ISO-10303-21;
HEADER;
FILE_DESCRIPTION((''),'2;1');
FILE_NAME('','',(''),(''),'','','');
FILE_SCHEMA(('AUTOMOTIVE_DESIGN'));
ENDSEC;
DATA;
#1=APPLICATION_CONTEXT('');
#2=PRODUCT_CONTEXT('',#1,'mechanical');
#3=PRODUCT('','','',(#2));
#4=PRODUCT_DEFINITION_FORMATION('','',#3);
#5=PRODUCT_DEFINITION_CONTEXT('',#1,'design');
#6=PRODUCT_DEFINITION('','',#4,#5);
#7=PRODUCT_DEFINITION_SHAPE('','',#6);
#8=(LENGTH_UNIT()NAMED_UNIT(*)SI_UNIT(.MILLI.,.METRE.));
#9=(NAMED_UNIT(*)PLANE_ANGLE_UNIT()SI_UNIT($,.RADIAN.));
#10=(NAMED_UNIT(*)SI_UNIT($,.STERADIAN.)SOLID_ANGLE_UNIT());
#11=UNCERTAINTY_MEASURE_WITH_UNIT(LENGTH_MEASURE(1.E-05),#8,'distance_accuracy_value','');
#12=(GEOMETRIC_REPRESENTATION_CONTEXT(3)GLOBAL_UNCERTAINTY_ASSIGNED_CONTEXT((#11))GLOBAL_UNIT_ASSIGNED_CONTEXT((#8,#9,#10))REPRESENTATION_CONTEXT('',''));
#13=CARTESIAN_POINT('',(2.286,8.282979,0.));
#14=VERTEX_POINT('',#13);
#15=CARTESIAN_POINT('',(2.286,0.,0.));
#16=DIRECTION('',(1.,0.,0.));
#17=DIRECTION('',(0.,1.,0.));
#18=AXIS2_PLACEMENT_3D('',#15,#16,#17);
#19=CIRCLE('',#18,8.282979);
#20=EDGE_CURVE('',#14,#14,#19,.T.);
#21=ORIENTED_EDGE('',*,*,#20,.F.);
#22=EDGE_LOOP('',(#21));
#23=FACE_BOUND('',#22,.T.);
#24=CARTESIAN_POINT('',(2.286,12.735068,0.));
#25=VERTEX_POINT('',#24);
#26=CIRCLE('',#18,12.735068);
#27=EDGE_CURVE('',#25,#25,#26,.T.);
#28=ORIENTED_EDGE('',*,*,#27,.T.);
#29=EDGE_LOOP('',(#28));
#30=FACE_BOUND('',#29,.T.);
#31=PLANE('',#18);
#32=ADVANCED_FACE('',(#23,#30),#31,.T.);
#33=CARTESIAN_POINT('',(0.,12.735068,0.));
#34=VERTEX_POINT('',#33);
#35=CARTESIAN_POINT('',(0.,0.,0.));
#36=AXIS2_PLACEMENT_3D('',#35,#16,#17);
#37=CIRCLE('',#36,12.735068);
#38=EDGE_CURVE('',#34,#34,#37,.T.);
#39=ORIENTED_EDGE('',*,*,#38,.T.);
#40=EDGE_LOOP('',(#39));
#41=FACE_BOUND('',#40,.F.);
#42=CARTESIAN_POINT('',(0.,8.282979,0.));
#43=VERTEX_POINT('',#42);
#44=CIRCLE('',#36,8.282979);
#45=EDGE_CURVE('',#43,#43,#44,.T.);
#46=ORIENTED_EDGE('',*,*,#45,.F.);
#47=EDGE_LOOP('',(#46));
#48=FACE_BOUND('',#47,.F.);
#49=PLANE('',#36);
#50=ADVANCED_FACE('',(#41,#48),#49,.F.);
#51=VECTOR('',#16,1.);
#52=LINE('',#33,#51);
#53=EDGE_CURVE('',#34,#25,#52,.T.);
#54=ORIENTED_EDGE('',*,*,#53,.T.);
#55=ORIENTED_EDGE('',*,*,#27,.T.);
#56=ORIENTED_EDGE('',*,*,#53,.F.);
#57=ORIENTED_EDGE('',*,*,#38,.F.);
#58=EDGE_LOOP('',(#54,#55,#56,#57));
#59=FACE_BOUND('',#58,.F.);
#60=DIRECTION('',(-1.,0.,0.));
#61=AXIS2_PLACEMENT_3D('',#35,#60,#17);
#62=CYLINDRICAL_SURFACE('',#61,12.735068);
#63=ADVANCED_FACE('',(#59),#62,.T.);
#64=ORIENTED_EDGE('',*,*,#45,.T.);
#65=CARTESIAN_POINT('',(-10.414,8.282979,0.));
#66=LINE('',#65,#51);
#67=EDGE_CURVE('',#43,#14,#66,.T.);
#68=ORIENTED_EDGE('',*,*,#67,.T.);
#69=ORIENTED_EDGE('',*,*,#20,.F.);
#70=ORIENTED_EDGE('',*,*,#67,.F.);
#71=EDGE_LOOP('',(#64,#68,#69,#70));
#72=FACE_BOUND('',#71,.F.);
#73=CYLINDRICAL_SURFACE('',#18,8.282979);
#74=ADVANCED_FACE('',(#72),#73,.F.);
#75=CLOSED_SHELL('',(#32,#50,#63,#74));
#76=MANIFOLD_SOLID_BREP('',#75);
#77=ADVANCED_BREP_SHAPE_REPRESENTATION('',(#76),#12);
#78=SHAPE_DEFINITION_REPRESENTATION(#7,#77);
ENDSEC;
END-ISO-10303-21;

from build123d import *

# Parameters (mm, degrees)
F0_R     = 12.735068
F1_DEPTH = 2.286
F2_R     = 8.282979
F3_DEPTH = 12.7


with BuildPart() as f1:
    # F0 (on Right) → F1 (new body)
    with BuildSketch(Plane.YZ):
        Circle(F0_R)
    extrude(amount=F1_DEPTH)

    # F2 (on face) → F3 (cut, symmetric)
    with BuildSketch(Plane.YZ.offset(2.286)):
        Circle(F2_R)
    extrude(amount=F3_DEPTH, both=True, mode=Mode.SUBTRACT)


solid = f1.part
